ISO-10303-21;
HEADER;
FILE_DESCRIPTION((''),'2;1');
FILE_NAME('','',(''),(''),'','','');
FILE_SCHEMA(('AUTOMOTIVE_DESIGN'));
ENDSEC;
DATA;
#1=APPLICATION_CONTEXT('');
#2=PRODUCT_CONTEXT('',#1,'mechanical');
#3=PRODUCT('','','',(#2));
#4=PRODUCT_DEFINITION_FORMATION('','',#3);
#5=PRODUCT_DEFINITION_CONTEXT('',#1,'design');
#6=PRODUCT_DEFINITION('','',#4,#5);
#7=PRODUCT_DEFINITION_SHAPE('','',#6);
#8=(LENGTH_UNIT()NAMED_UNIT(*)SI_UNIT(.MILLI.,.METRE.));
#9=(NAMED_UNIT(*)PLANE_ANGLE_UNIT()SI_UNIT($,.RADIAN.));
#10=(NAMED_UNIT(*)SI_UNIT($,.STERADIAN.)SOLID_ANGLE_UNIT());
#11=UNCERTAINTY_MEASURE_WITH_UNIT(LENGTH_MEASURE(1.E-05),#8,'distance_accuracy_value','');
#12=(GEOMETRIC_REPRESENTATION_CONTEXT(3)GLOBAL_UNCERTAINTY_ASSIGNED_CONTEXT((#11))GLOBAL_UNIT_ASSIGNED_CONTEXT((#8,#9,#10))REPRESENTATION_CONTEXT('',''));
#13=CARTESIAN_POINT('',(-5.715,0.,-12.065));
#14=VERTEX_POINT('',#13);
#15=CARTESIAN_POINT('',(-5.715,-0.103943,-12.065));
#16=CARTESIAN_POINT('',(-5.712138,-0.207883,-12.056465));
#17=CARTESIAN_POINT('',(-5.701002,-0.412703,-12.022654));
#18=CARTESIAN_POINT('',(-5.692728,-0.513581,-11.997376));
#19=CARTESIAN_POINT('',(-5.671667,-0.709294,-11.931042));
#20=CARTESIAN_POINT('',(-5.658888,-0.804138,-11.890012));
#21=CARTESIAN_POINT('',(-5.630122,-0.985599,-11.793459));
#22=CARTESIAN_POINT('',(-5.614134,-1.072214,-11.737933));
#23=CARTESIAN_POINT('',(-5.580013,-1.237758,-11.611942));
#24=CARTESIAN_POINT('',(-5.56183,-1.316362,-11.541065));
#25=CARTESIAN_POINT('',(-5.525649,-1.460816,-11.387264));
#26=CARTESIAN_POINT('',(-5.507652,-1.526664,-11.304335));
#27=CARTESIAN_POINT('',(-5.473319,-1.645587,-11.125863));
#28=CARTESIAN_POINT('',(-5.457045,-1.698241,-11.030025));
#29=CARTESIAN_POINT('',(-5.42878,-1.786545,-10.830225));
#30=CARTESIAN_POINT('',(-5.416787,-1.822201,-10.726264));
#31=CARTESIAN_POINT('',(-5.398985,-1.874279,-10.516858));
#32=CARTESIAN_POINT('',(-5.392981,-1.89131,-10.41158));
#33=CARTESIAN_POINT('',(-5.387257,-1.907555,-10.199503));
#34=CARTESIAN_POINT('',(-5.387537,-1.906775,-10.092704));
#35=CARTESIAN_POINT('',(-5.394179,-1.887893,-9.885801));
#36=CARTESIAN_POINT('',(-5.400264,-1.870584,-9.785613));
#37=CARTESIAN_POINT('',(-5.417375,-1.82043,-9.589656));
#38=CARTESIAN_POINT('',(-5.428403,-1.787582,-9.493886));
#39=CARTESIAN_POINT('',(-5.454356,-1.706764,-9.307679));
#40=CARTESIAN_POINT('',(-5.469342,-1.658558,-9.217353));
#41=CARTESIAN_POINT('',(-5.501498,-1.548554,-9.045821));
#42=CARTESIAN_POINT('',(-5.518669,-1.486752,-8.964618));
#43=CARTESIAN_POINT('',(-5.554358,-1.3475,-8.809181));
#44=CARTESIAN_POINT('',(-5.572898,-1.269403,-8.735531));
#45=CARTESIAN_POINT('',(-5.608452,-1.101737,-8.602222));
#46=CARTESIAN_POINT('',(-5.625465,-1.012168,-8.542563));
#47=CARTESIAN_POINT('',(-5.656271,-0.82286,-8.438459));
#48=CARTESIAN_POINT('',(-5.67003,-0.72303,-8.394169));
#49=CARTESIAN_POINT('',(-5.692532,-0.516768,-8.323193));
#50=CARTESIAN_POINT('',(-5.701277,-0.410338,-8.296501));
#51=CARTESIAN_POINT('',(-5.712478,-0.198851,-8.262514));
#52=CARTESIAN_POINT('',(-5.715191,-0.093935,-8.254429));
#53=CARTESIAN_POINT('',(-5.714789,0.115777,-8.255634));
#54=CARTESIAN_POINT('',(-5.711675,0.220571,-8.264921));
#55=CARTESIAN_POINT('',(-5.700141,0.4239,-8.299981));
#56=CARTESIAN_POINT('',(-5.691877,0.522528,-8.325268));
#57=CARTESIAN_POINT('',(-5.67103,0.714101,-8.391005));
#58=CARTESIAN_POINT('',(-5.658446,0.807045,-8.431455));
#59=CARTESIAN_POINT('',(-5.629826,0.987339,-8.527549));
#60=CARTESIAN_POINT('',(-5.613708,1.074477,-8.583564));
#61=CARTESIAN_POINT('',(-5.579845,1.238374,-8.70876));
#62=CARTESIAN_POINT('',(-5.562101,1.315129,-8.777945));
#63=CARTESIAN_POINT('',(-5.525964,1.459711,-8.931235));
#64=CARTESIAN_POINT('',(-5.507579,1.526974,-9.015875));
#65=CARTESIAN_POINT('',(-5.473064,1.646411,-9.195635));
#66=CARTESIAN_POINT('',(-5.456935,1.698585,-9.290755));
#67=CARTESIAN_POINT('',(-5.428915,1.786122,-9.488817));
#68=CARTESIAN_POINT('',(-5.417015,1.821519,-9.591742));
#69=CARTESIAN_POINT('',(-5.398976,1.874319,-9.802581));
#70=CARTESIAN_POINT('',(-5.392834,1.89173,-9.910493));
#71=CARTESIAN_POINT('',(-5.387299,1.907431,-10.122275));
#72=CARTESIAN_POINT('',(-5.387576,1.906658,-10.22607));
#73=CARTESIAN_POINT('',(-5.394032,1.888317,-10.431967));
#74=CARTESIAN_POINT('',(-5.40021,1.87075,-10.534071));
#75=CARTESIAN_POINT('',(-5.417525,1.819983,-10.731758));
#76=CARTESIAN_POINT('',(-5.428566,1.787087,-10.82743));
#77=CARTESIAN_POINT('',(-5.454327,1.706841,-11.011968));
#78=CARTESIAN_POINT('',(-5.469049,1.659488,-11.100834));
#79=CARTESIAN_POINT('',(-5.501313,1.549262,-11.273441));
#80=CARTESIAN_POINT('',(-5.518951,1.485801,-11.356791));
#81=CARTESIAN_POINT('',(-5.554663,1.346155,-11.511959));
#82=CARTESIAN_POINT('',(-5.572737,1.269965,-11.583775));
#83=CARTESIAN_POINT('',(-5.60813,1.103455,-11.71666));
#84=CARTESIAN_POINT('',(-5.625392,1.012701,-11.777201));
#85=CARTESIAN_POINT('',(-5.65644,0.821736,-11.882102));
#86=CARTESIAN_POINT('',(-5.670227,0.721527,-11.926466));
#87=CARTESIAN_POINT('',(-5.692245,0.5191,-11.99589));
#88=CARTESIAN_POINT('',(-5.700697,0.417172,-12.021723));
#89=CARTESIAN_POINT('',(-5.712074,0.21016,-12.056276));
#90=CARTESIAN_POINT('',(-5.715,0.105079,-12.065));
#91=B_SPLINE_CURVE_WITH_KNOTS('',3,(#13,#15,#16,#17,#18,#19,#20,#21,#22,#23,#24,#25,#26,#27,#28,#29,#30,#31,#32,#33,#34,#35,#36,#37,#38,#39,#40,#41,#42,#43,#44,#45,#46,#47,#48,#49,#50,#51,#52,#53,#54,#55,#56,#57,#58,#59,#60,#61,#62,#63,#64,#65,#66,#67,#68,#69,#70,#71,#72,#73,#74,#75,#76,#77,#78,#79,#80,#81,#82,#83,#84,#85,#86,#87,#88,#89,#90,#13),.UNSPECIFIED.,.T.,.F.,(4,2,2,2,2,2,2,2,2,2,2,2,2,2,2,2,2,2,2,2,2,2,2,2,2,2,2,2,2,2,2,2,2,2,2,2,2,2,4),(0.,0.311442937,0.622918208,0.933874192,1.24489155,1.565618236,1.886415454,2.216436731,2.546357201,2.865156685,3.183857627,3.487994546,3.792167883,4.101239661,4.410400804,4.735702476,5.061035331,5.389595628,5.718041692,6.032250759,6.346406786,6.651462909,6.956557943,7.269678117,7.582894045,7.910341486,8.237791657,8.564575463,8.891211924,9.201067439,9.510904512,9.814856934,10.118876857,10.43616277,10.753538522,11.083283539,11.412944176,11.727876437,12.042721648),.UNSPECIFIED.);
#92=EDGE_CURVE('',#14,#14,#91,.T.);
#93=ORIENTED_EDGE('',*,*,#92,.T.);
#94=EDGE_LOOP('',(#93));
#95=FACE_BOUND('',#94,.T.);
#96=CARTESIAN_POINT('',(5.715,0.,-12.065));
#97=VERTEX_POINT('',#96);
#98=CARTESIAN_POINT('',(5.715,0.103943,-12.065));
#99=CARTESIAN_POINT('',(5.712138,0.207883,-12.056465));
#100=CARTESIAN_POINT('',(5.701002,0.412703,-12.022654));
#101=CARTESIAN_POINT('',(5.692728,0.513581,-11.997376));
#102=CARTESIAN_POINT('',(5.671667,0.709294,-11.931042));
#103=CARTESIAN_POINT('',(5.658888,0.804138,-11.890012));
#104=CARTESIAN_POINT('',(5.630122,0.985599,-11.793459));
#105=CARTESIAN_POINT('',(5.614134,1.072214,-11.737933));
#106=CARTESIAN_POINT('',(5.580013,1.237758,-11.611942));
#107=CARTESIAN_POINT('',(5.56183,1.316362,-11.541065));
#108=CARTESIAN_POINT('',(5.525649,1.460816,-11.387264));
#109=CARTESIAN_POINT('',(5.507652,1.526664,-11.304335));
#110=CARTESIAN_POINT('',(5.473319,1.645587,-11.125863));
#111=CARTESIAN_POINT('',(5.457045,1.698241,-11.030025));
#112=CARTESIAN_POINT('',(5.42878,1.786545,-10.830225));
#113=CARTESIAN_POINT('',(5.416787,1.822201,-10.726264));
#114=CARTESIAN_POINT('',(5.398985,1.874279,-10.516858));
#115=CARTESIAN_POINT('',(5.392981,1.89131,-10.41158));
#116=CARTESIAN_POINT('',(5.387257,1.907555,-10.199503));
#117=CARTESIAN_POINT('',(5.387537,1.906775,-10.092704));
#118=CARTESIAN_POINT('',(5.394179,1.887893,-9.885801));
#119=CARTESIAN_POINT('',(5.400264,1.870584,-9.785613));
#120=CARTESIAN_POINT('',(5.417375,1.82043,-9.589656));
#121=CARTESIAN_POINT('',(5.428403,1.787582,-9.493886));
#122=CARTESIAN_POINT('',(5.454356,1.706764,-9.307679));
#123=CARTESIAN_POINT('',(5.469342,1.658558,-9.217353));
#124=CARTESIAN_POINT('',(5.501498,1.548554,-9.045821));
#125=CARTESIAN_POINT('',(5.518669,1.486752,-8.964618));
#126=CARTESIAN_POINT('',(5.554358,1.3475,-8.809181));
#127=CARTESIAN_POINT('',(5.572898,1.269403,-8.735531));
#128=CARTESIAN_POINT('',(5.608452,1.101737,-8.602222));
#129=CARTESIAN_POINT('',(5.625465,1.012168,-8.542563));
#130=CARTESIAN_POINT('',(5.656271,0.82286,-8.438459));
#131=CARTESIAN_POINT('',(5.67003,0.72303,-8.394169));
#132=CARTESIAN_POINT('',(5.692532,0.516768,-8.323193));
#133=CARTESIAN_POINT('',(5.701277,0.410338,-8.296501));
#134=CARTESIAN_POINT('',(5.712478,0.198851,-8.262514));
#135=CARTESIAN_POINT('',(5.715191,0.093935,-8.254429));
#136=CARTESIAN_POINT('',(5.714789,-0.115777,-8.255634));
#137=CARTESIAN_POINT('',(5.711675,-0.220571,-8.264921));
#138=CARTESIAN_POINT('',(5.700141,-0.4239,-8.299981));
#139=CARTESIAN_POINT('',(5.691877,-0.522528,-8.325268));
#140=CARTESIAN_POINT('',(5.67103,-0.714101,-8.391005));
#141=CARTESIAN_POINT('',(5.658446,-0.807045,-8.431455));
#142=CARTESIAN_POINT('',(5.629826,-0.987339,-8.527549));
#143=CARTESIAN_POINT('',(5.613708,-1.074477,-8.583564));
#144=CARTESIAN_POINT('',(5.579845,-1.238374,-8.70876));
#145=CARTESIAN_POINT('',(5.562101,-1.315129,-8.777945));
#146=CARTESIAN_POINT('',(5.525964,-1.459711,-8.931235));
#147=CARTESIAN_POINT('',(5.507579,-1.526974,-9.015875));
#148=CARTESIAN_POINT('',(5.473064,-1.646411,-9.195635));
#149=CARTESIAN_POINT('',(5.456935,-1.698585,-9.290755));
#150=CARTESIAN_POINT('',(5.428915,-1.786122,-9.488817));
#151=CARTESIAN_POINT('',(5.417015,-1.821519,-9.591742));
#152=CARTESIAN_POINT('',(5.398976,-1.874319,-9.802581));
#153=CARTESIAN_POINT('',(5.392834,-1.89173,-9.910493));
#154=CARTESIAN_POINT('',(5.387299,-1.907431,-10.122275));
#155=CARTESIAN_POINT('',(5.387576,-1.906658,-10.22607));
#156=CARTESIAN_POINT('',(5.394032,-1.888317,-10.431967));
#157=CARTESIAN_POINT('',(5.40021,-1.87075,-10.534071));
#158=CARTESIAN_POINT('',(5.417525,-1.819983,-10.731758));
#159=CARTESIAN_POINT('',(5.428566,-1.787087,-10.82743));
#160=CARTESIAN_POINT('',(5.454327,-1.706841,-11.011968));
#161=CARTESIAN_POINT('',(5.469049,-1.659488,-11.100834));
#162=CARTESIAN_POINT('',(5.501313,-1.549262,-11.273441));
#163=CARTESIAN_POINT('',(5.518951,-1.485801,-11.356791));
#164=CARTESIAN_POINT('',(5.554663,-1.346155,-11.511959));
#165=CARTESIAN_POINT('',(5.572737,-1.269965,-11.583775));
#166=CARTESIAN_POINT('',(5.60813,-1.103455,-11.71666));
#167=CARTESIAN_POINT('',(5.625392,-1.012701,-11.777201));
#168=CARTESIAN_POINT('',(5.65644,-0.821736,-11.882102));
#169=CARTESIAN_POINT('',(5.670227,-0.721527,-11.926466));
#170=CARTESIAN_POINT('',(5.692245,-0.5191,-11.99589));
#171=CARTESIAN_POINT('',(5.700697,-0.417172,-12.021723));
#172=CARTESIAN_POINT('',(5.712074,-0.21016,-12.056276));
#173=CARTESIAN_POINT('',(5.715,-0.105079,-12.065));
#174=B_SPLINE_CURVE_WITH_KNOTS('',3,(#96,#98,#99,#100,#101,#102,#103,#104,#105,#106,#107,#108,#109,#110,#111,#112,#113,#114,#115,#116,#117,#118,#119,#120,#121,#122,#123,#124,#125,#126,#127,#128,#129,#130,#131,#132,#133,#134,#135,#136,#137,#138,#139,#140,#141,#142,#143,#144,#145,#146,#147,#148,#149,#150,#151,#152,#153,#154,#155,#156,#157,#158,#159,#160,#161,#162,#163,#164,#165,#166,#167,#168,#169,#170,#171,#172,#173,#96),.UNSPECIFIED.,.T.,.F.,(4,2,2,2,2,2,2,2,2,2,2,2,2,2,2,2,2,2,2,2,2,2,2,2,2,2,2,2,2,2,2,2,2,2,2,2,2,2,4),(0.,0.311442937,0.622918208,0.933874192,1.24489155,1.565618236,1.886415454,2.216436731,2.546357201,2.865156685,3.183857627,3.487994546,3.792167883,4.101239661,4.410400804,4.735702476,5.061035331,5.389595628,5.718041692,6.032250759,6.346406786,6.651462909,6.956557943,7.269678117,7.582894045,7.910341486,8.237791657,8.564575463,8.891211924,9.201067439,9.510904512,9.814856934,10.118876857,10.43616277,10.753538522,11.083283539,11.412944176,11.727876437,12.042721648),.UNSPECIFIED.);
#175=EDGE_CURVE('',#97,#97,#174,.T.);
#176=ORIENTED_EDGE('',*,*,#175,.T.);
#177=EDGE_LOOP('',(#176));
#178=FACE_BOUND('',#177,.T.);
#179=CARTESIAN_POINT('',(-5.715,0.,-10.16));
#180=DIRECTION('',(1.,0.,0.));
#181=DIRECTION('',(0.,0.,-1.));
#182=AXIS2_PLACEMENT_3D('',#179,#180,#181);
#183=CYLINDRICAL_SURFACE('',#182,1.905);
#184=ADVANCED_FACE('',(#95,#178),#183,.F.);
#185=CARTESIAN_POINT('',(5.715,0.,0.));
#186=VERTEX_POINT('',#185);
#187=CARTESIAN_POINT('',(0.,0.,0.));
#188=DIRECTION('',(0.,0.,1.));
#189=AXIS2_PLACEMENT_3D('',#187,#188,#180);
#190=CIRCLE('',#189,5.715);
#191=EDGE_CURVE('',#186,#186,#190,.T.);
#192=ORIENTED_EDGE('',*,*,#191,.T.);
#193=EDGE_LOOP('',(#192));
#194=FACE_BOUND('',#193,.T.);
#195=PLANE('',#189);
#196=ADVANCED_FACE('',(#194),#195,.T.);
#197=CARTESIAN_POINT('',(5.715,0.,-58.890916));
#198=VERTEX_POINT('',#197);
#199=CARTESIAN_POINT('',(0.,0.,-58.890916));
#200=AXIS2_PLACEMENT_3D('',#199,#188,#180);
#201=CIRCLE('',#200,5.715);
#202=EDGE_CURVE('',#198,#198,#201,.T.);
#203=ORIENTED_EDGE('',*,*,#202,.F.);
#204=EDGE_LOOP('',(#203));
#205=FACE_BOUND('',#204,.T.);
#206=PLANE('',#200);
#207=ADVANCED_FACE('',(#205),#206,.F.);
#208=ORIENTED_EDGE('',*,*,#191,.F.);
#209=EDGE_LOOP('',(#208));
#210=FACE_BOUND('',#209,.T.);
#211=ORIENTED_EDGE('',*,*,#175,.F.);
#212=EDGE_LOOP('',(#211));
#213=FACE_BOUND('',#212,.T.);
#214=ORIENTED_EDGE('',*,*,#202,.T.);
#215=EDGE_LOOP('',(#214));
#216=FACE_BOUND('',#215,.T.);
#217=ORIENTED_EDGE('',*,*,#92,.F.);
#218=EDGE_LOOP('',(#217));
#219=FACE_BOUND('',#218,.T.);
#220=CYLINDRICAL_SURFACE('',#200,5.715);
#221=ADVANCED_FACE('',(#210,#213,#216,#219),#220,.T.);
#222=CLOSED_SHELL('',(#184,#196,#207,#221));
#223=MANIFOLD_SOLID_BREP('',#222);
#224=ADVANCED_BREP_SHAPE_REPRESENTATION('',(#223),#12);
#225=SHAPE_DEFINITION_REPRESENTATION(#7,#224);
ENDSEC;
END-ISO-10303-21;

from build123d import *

# Parameters (mm, degrees)
SKETCH1_R               = 5.715
BASE_EXTRUDE_DEPTH      = 58.890916
CUT_EXTRUDE1_DEPTH      = 60.442934293
CUT_EXTRUDE1_DEPTH_BACK = 60.442934293
SKETCH2_R               = 1.905


with BuildPart() as part:
    # Sketch1 → Base-Extrude (new body)
    with BuildSketch(Plane.XY):
        Circle(SKETCH1_R)
    extrude(amount=-BASE_EXTRUDE_DEPTH)

    # Sketch2 → Cut-Extrude1 (cut, two sides: drawn at the far end of the back side and taken through both)
    with BuildSketch(Plane(origin=(0, 0, 0), x_dir=(0, 0, -1), z_dir=(1, 0, 0)).offset(-CUT_EXTRUDE1_DEPTH_BACK)):
        with Locations((10.16, 0)):
            Circle(SKETCH2_R)
    extrude(amount=CUT_EXTRUDE1_DEPTH + CUT_EXTRUDE1_DEPTH_BACK, mode=Mode.SUBTRACT)


solid = part.part
